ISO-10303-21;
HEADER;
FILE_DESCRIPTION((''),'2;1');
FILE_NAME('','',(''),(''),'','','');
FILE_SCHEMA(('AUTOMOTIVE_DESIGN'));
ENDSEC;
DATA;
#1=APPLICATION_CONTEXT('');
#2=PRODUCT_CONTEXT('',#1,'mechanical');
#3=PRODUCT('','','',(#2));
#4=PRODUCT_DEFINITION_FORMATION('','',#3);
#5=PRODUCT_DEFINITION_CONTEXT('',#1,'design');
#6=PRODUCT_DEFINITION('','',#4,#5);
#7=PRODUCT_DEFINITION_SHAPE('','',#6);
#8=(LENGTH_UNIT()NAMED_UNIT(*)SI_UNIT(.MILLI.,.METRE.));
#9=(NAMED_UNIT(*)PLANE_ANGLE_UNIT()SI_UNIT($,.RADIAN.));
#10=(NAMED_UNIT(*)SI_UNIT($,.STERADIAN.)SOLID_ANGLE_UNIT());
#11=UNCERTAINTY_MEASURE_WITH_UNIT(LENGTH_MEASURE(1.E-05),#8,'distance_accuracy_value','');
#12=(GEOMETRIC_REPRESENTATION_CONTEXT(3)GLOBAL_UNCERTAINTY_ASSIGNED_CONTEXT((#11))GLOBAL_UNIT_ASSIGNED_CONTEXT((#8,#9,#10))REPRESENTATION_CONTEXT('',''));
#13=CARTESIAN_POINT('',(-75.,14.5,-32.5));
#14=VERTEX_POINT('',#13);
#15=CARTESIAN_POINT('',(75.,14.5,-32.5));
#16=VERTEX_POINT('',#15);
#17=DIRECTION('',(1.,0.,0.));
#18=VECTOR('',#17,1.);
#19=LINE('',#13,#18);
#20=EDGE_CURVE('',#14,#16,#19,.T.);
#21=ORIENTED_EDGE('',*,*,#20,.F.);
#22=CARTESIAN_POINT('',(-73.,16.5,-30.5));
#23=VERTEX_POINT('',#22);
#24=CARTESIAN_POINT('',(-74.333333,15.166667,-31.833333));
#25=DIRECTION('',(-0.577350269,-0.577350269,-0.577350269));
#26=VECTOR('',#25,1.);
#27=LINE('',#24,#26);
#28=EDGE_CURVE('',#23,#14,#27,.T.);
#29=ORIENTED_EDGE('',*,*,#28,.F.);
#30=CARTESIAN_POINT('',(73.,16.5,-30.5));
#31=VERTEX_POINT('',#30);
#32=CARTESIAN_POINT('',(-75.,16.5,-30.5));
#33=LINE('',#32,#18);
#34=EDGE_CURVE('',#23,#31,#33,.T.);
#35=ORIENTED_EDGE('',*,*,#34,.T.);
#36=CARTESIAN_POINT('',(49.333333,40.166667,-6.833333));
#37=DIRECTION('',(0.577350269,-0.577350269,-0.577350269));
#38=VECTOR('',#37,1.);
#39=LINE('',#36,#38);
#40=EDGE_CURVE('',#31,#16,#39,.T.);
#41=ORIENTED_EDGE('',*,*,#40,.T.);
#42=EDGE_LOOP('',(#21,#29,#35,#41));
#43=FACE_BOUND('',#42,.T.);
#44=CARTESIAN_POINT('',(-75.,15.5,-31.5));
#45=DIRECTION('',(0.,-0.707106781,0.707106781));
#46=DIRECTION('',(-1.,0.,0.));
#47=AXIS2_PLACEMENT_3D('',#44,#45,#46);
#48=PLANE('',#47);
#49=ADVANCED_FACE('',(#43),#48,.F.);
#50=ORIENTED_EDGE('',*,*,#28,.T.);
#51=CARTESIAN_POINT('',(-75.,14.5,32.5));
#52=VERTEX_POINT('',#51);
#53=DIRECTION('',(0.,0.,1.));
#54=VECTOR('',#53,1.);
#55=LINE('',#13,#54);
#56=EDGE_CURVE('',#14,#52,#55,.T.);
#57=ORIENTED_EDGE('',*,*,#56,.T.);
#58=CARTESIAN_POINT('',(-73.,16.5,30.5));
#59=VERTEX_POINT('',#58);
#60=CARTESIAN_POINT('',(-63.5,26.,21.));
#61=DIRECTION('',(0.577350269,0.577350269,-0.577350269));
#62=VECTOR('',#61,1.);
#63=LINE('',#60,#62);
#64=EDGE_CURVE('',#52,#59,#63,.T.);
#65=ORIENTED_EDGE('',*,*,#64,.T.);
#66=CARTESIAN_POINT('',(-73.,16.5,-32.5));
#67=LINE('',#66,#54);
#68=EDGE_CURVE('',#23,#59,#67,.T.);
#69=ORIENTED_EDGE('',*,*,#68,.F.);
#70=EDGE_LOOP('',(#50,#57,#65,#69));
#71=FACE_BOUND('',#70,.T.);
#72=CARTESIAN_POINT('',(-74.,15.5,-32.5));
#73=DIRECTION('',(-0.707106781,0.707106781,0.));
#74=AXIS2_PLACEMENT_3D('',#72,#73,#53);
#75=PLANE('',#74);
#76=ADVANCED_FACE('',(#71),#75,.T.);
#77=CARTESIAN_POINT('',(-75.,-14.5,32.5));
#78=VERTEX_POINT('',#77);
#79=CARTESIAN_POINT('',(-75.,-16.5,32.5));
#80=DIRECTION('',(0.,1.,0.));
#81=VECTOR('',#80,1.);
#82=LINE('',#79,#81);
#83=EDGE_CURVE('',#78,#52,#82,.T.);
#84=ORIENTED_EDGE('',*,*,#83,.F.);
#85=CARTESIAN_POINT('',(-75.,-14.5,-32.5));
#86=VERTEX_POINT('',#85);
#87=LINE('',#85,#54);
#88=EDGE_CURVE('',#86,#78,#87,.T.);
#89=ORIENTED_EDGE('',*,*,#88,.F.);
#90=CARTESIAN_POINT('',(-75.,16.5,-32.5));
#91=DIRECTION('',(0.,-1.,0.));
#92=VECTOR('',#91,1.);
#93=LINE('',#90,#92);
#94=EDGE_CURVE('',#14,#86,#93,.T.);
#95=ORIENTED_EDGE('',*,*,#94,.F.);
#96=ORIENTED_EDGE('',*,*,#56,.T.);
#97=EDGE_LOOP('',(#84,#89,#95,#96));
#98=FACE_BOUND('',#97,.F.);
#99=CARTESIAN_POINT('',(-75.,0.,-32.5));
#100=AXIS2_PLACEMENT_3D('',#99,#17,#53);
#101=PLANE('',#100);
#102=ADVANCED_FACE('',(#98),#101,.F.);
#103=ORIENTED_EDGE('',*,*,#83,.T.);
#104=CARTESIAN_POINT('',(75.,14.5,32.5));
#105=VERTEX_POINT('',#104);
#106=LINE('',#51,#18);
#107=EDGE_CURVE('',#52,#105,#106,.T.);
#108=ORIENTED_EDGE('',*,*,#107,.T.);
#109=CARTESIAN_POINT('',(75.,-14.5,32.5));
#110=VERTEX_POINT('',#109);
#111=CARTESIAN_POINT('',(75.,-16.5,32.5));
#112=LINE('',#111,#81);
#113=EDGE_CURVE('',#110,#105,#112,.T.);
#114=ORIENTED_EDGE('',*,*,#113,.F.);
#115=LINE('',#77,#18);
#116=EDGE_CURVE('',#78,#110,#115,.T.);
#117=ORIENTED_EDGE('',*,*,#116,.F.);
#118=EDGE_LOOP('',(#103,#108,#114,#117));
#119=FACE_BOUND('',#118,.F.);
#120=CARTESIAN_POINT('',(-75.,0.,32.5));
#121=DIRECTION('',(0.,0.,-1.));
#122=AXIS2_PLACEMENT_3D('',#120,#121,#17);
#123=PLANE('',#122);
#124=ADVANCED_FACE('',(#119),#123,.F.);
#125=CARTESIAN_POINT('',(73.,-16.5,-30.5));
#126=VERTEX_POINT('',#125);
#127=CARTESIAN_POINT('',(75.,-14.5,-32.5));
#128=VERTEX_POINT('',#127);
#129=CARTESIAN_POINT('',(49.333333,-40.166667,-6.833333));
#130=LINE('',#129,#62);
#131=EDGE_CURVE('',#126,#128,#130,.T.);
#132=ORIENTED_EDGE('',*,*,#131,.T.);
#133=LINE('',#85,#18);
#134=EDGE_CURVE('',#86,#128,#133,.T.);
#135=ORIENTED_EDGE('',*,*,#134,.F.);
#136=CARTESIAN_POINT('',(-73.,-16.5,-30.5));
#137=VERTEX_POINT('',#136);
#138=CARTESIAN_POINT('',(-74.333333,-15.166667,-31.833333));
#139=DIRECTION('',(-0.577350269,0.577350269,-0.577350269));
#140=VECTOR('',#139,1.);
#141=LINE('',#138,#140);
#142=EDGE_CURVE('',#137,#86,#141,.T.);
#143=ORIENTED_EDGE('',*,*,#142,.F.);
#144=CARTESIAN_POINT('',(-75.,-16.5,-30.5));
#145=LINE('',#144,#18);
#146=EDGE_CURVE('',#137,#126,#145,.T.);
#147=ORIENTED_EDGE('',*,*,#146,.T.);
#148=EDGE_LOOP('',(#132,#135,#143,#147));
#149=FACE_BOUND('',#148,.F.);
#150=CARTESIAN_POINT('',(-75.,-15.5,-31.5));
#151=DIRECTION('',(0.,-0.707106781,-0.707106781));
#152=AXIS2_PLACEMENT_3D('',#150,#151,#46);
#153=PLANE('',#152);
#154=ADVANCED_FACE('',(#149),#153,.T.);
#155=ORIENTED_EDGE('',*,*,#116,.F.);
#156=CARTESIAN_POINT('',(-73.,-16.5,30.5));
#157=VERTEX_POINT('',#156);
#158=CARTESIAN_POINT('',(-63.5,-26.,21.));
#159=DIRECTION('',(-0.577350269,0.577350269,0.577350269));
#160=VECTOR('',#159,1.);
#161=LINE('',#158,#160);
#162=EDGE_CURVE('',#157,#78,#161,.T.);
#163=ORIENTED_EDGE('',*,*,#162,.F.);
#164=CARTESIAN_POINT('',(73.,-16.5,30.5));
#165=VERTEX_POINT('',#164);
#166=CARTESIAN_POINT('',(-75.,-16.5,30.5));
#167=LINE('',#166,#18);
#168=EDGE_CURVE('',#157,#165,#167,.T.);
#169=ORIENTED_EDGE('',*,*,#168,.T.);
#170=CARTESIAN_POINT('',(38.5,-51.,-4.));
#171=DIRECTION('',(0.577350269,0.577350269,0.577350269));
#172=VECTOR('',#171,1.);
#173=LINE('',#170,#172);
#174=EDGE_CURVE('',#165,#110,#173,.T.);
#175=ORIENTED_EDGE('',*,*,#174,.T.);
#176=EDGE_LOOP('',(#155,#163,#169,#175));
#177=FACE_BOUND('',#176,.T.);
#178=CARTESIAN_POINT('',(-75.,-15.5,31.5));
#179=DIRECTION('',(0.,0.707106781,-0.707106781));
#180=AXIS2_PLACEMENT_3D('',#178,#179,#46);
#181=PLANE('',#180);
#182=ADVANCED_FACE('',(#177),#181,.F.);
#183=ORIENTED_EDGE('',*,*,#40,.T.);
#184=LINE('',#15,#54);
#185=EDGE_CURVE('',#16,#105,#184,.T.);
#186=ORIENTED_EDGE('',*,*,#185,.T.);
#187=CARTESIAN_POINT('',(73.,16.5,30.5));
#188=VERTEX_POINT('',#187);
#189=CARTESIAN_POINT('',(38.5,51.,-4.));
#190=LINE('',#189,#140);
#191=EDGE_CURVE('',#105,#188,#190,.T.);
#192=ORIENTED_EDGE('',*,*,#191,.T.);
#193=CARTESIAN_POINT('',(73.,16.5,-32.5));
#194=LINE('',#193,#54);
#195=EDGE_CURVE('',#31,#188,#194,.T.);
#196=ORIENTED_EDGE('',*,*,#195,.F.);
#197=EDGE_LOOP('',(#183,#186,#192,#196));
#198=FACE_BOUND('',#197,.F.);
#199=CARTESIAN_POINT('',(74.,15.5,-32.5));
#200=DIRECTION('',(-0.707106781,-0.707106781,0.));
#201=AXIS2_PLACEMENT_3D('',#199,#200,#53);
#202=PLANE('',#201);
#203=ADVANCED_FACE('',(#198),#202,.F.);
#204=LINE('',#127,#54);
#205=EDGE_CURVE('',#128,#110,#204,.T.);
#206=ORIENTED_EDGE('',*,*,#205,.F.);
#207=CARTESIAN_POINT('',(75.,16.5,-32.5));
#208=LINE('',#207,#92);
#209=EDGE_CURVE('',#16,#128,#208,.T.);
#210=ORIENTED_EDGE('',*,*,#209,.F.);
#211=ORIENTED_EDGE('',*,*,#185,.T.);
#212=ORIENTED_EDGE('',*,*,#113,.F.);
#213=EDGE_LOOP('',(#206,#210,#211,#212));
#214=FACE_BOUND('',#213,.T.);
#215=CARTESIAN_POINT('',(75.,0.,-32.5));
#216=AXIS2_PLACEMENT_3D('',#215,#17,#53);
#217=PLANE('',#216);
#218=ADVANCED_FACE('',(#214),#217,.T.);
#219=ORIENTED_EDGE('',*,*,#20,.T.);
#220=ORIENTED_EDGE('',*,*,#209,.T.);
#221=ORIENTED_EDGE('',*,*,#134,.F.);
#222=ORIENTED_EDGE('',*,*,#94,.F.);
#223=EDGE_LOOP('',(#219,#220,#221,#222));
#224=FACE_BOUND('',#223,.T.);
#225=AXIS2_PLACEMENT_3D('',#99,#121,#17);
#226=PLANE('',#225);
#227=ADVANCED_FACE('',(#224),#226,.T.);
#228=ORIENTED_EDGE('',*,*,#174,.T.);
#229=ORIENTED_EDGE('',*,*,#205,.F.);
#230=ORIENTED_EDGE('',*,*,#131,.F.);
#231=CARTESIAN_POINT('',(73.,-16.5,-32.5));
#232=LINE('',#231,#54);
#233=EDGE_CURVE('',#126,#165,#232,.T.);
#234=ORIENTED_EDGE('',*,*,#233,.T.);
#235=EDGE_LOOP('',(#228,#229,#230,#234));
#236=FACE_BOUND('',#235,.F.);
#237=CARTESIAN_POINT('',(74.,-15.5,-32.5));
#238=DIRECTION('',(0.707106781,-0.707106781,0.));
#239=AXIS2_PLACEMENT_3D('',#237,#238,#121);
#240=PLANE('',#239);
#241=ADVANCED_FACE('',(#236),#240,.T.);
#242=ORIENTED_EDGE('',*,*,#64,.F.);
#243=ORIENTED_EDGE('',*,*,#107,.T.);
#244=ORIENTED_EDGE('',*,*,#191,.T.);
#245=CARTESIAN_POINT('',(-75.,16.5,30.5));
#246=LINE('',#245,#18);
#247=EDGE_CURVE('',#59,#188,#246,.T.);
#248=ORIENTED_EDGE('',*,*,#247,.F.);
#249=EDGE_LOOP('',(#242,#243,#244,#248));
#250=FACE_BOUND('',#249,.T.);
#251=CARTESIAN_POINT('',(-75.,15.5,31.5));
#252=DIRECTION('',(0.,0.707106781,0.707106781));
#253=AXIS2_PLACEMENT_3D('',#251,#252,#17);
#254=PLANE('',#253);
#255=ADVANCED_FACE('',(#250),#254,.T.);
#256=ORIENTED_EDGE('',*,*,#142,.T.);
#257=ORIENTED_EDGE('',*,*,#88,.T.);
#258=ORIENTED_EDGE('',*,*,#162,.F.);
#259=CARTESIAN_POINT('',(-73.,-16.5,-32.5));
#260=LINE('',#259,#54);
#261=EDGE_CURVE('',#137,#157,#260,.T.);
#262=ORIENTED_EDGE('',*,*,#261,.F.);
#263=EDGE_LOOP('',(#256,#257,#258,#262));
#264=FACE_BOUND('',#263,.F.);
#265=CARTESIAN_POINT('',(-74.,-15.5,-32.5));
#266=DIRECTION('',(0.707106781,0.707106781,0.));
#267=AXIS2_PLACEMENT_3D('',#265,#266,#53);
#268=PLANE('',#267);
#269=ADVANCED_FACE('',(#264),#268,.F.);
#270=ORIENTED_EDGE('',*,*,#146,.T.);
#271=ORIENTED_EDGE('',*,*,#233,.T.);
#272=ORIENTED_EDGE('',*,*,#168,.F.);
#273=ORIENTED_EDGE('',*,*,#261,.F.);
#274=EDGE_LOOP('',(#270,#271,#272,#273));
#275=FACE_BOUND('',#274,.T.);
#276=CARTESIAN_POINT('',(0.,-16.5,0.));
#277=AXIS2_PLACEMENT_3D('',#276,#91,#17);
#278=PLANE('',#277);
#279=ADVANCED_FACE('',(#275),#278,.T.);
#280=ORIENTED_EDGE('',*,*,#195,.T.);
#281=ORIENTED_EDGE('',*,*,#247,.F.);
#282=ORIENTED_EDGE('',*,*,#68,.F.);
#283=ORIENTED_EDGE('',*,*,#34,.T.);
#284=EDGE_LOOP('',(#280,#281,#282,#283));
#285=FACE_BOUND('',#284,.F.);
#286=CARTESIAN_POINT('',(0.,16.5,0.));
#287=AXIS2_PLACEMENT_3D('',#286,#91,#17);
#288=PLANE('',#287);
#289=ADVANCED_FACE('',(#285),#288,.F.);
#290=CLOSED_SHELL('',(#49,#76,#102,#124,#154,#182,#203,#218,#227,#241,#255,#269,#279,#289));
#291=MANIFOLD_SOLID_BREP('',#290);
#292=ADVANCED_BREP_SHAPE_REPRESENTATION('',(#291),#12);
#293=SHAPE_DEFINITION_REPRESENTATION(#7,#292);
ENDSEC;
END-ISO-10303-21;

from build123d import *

# Parameters (mm, degrees)
F0_W     = 150
F0_H     = 65
F1_DEPTH = 16.5
F2_SIZE  = 2


with BuildPart() as f1:
    # F0 (on Front) → F1 (new body, symmetric)
    with BuildSketch(Plane.XZ):
        Rectangle(F0_W, F0_H)
    extrude(amount=F1_DEPTH, both=True)

    # F2
    f2_edges = [f1.edges().sort_by_distance(p)[0] for p in [
        (0, -16.5, -32.5),
        (75, -16.5, 0),
        (0, -16.5, 32.5),
        (-75, -16.5, 0),
        (0, 16.5, -32.5),
        (75, 16.5, 0),
        (0, 16.5, 32.5),
        (-75, 16.5, 0),
    ]]
    chamfer(f2_edges, length=F2_SIZE)


solid = f1.part
